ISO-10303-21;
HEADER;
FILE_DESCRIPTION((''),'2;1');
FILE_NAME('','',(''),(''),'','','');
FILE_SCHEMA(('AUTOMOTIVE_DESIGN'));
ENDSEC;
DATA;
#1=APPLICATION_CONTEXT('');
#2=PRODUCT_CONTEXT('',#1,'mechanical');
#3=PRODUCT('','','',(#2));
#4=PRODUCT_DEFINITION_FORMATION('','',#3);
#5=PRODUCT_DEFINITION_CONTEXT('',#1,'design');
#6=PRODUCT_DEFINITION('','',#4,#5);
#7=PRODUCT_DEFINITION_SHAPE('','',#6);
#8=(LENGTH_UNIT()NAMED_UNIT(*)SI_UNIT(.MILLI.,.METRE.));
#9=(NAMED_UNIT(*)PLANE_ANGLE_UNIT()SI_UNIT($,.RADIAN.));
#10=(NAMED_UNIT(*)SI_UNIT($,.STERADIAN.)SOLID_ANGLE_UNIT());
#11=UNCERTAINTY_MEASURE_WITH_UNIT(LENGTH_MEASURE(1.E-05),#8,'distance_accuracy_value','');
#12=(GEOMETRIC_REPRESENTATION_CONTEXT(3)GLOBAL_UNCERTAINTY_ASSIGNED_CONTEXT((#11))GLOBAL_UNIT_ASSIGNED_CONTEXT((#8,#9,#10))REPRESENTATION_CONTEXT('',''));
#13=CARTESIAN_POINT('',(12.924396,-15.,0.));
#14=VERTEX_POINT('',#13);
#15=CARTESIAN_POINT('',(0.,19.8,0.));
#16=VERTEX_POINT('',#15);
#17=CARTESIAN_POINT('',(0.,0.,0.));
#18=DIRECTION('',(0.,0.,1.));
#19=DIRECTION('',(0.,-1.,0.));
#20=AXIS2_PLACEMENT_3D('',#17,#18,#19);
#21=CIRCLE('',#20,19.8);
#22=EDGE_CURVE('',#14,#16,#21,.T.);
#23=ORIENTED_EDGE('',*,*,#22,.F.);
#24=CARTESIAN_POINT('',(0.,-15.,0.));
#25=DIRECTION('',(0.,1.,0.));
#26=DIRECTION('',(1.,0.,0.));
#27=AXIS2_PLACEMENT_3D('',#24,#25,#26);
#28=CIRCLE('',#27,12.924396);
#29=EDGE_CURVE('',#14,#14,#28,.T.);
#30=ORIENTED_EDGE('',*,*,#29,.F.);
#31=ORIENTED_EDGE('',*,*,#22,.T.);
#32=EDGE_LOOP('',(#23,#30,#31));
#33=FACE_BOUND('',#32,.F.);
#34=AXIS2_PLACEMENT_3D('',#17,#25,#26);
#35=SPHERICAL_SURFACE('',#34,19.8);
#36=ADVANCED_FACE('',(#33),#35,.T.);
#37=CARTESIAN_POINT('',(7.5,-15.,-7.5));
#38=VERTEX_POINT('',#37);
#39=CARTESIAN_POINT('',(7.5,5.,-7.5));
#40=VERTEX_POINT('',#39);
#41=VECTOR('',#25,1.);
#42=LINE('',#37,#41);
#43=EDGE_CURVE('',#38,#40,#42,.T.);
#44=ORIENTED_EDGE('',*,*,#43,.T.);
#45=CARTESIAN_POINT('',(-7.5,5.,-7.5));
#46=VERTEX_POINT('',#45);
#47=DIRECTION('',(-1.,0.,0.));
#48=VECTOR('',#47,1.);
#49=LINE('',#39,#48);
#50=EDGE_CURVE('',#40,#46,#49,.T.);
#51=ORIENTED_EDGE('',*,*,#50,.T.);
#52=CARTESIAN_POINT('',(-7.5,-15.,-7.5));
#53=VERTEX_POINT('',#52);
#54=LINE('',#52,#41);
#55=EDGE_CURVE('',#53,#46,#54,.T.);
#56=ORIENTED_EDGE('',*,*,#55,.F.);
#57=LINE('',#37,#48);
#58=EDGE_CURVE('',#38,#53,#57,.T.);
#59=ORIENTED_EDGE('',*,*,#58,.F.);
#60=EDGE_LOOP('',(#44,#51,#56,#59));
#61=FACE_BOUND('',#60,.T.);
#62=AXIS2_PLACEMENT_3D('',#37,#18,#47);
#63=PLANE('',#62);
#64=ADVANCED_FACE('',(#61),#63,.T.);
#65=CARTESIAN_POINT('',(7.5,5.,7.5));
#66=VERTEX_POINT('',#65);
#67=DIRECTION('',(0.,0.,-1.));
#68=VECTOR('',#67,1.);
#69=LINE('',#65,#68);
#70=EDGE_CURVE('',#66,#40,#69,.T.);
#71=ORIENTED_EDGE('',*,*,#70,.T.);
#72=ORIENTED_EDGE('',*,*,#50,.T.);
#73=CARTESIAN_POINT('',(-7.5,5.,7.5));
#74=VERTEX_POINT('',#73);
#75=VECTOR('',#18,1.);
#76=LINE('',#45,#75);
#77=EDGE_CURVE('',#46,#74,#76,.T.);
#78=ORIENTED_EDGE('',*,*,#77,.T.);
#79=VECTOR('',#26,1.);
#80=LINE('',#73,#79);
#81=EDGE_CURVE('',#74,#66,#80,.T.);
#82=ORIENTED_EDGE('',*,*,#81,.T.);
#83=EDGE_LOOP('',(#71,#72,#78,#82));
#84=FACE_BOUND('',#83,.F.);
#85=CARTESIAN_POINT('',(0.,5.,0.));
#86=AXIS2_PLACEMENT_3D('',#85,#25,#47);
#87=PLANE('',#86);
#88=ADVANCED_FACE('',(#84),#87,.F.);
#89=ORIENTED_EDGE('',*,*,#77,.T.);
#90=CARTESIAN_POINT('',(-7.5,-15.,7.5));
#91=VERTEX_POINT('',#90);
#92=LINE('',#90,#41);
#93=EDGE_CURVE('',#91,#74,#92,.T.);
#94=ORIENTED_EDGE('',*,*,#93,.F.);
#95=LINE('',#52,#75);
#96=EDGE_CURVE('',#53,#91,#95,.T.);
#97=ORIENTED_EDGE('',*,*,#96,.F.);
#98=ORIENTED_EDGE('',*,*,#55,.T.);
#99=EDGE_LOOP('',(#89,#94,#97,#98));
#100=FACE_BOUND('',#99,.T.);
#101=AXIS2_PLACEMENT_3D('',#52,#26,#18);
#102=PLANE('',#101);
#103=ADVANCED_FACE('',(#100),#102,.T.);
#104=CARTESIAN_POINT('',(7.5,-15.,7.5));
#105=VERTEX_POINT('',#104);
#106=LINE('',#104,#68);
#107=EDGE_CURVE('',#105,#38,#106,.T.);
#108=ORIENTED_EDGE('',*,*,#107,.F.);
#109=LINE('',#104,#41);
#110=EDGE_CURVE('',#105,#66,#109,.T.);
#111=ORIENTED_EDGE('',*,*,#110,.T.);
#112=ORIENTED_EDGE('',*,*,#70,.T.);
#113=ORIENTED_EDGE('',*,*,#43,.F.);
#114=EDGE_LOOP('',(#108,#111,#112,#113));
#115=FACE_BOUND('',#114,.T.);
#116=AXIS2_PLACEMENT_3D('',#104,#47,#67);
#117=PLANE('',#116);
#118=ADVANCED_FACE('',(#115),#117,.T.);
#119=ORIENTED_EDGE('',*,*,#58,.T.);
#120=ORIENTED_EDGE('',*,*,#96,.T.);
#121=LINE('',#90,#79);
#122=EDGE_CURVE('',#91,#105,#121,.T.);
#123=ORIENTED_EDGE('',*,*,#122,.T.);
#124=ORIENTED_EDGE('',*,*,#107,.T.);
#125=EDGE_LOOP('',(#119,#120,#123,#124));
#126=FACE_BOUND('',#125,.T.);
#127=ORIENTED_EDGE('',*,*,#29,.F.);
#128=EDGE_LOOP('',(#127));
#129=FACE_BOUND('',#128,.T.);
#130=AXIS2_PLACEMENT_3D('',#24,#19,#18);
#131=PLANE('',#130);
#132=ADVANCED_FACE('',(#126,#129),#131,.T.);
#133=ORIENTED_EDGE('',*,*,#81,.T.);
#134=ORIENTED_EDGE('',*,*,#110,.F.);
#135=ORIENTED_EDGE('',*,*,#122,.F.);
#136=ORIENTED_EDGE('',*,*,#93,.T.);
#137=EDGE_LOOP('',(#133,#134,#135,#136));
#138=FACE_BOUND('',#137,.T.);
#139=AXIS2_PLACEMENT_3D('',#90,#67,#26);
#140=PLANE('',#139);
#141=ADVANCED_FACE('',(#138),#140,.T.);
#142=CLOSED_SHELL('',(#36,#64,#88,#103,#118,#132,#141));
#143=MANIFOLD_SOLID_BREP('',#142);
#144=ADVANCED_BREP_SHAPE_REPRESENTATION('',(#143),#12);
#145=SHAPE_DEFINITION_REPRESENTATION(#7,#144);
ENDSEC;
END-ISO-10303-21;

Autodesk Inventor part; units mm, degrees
ref_plane "YZ Plane" through (0, 0, 0) normal (1, 0, 0) x (0, 1, 0)
ref_plane "XY Plane" through (0, 0, 0) normal (0, 0, 1) x (1, 0, 0)
sketch "Sketch1" plane through (0, 0, 0) normal (0, 0, 1) x (1, 0, 0)
  arc A0 (0, -19.8) -> (0, 19.8) centre (0, 0) ccw
  line L0 (0, 19.8) -> (0, -19.8)
  dimension "d0" = 19.8
revolve "Revolution1" add sketch "Sketch1" angle 360 about axis through (0, 19.8, 0) along (0, -1, 0)
ref_plane "Work Plane1" through (0, -15, 0) normal (0, 1, 0) x (-1, 0, 0)
split_face "Split1"
split "Split2" plane through (0, -15, 0) removes the side toward (0, -1, 0)
sketch "Sketch3" plane through (0, -15, 0) normal (0, 1, 0) x (-1, 0, 0)
  line L0 (-7.5, -7.5) -> (7.5, -7.5)
  line L1 (7.5, -7.5) -> (7.5, 7.5)
  line L2 (7.5, 7.5) -> (-7.5, 7.5)
  line L3 (-7.5, 7.5) -> (-7.5, -7.5)
  line L4 (-7.5, -7.5) -> (7.5, 7.5) construction
  line L5 (7.5, -7.5) -> (-7.5, 7.5) construction
  point P0 (0, 0)
  dimension "d10" = 15
  dimension "d11" = 15
extrude "Extrusion1" cut sketch "Sketch3" along normal blind 20
properties part number "Femoral Head DP-2" material "Silver"
